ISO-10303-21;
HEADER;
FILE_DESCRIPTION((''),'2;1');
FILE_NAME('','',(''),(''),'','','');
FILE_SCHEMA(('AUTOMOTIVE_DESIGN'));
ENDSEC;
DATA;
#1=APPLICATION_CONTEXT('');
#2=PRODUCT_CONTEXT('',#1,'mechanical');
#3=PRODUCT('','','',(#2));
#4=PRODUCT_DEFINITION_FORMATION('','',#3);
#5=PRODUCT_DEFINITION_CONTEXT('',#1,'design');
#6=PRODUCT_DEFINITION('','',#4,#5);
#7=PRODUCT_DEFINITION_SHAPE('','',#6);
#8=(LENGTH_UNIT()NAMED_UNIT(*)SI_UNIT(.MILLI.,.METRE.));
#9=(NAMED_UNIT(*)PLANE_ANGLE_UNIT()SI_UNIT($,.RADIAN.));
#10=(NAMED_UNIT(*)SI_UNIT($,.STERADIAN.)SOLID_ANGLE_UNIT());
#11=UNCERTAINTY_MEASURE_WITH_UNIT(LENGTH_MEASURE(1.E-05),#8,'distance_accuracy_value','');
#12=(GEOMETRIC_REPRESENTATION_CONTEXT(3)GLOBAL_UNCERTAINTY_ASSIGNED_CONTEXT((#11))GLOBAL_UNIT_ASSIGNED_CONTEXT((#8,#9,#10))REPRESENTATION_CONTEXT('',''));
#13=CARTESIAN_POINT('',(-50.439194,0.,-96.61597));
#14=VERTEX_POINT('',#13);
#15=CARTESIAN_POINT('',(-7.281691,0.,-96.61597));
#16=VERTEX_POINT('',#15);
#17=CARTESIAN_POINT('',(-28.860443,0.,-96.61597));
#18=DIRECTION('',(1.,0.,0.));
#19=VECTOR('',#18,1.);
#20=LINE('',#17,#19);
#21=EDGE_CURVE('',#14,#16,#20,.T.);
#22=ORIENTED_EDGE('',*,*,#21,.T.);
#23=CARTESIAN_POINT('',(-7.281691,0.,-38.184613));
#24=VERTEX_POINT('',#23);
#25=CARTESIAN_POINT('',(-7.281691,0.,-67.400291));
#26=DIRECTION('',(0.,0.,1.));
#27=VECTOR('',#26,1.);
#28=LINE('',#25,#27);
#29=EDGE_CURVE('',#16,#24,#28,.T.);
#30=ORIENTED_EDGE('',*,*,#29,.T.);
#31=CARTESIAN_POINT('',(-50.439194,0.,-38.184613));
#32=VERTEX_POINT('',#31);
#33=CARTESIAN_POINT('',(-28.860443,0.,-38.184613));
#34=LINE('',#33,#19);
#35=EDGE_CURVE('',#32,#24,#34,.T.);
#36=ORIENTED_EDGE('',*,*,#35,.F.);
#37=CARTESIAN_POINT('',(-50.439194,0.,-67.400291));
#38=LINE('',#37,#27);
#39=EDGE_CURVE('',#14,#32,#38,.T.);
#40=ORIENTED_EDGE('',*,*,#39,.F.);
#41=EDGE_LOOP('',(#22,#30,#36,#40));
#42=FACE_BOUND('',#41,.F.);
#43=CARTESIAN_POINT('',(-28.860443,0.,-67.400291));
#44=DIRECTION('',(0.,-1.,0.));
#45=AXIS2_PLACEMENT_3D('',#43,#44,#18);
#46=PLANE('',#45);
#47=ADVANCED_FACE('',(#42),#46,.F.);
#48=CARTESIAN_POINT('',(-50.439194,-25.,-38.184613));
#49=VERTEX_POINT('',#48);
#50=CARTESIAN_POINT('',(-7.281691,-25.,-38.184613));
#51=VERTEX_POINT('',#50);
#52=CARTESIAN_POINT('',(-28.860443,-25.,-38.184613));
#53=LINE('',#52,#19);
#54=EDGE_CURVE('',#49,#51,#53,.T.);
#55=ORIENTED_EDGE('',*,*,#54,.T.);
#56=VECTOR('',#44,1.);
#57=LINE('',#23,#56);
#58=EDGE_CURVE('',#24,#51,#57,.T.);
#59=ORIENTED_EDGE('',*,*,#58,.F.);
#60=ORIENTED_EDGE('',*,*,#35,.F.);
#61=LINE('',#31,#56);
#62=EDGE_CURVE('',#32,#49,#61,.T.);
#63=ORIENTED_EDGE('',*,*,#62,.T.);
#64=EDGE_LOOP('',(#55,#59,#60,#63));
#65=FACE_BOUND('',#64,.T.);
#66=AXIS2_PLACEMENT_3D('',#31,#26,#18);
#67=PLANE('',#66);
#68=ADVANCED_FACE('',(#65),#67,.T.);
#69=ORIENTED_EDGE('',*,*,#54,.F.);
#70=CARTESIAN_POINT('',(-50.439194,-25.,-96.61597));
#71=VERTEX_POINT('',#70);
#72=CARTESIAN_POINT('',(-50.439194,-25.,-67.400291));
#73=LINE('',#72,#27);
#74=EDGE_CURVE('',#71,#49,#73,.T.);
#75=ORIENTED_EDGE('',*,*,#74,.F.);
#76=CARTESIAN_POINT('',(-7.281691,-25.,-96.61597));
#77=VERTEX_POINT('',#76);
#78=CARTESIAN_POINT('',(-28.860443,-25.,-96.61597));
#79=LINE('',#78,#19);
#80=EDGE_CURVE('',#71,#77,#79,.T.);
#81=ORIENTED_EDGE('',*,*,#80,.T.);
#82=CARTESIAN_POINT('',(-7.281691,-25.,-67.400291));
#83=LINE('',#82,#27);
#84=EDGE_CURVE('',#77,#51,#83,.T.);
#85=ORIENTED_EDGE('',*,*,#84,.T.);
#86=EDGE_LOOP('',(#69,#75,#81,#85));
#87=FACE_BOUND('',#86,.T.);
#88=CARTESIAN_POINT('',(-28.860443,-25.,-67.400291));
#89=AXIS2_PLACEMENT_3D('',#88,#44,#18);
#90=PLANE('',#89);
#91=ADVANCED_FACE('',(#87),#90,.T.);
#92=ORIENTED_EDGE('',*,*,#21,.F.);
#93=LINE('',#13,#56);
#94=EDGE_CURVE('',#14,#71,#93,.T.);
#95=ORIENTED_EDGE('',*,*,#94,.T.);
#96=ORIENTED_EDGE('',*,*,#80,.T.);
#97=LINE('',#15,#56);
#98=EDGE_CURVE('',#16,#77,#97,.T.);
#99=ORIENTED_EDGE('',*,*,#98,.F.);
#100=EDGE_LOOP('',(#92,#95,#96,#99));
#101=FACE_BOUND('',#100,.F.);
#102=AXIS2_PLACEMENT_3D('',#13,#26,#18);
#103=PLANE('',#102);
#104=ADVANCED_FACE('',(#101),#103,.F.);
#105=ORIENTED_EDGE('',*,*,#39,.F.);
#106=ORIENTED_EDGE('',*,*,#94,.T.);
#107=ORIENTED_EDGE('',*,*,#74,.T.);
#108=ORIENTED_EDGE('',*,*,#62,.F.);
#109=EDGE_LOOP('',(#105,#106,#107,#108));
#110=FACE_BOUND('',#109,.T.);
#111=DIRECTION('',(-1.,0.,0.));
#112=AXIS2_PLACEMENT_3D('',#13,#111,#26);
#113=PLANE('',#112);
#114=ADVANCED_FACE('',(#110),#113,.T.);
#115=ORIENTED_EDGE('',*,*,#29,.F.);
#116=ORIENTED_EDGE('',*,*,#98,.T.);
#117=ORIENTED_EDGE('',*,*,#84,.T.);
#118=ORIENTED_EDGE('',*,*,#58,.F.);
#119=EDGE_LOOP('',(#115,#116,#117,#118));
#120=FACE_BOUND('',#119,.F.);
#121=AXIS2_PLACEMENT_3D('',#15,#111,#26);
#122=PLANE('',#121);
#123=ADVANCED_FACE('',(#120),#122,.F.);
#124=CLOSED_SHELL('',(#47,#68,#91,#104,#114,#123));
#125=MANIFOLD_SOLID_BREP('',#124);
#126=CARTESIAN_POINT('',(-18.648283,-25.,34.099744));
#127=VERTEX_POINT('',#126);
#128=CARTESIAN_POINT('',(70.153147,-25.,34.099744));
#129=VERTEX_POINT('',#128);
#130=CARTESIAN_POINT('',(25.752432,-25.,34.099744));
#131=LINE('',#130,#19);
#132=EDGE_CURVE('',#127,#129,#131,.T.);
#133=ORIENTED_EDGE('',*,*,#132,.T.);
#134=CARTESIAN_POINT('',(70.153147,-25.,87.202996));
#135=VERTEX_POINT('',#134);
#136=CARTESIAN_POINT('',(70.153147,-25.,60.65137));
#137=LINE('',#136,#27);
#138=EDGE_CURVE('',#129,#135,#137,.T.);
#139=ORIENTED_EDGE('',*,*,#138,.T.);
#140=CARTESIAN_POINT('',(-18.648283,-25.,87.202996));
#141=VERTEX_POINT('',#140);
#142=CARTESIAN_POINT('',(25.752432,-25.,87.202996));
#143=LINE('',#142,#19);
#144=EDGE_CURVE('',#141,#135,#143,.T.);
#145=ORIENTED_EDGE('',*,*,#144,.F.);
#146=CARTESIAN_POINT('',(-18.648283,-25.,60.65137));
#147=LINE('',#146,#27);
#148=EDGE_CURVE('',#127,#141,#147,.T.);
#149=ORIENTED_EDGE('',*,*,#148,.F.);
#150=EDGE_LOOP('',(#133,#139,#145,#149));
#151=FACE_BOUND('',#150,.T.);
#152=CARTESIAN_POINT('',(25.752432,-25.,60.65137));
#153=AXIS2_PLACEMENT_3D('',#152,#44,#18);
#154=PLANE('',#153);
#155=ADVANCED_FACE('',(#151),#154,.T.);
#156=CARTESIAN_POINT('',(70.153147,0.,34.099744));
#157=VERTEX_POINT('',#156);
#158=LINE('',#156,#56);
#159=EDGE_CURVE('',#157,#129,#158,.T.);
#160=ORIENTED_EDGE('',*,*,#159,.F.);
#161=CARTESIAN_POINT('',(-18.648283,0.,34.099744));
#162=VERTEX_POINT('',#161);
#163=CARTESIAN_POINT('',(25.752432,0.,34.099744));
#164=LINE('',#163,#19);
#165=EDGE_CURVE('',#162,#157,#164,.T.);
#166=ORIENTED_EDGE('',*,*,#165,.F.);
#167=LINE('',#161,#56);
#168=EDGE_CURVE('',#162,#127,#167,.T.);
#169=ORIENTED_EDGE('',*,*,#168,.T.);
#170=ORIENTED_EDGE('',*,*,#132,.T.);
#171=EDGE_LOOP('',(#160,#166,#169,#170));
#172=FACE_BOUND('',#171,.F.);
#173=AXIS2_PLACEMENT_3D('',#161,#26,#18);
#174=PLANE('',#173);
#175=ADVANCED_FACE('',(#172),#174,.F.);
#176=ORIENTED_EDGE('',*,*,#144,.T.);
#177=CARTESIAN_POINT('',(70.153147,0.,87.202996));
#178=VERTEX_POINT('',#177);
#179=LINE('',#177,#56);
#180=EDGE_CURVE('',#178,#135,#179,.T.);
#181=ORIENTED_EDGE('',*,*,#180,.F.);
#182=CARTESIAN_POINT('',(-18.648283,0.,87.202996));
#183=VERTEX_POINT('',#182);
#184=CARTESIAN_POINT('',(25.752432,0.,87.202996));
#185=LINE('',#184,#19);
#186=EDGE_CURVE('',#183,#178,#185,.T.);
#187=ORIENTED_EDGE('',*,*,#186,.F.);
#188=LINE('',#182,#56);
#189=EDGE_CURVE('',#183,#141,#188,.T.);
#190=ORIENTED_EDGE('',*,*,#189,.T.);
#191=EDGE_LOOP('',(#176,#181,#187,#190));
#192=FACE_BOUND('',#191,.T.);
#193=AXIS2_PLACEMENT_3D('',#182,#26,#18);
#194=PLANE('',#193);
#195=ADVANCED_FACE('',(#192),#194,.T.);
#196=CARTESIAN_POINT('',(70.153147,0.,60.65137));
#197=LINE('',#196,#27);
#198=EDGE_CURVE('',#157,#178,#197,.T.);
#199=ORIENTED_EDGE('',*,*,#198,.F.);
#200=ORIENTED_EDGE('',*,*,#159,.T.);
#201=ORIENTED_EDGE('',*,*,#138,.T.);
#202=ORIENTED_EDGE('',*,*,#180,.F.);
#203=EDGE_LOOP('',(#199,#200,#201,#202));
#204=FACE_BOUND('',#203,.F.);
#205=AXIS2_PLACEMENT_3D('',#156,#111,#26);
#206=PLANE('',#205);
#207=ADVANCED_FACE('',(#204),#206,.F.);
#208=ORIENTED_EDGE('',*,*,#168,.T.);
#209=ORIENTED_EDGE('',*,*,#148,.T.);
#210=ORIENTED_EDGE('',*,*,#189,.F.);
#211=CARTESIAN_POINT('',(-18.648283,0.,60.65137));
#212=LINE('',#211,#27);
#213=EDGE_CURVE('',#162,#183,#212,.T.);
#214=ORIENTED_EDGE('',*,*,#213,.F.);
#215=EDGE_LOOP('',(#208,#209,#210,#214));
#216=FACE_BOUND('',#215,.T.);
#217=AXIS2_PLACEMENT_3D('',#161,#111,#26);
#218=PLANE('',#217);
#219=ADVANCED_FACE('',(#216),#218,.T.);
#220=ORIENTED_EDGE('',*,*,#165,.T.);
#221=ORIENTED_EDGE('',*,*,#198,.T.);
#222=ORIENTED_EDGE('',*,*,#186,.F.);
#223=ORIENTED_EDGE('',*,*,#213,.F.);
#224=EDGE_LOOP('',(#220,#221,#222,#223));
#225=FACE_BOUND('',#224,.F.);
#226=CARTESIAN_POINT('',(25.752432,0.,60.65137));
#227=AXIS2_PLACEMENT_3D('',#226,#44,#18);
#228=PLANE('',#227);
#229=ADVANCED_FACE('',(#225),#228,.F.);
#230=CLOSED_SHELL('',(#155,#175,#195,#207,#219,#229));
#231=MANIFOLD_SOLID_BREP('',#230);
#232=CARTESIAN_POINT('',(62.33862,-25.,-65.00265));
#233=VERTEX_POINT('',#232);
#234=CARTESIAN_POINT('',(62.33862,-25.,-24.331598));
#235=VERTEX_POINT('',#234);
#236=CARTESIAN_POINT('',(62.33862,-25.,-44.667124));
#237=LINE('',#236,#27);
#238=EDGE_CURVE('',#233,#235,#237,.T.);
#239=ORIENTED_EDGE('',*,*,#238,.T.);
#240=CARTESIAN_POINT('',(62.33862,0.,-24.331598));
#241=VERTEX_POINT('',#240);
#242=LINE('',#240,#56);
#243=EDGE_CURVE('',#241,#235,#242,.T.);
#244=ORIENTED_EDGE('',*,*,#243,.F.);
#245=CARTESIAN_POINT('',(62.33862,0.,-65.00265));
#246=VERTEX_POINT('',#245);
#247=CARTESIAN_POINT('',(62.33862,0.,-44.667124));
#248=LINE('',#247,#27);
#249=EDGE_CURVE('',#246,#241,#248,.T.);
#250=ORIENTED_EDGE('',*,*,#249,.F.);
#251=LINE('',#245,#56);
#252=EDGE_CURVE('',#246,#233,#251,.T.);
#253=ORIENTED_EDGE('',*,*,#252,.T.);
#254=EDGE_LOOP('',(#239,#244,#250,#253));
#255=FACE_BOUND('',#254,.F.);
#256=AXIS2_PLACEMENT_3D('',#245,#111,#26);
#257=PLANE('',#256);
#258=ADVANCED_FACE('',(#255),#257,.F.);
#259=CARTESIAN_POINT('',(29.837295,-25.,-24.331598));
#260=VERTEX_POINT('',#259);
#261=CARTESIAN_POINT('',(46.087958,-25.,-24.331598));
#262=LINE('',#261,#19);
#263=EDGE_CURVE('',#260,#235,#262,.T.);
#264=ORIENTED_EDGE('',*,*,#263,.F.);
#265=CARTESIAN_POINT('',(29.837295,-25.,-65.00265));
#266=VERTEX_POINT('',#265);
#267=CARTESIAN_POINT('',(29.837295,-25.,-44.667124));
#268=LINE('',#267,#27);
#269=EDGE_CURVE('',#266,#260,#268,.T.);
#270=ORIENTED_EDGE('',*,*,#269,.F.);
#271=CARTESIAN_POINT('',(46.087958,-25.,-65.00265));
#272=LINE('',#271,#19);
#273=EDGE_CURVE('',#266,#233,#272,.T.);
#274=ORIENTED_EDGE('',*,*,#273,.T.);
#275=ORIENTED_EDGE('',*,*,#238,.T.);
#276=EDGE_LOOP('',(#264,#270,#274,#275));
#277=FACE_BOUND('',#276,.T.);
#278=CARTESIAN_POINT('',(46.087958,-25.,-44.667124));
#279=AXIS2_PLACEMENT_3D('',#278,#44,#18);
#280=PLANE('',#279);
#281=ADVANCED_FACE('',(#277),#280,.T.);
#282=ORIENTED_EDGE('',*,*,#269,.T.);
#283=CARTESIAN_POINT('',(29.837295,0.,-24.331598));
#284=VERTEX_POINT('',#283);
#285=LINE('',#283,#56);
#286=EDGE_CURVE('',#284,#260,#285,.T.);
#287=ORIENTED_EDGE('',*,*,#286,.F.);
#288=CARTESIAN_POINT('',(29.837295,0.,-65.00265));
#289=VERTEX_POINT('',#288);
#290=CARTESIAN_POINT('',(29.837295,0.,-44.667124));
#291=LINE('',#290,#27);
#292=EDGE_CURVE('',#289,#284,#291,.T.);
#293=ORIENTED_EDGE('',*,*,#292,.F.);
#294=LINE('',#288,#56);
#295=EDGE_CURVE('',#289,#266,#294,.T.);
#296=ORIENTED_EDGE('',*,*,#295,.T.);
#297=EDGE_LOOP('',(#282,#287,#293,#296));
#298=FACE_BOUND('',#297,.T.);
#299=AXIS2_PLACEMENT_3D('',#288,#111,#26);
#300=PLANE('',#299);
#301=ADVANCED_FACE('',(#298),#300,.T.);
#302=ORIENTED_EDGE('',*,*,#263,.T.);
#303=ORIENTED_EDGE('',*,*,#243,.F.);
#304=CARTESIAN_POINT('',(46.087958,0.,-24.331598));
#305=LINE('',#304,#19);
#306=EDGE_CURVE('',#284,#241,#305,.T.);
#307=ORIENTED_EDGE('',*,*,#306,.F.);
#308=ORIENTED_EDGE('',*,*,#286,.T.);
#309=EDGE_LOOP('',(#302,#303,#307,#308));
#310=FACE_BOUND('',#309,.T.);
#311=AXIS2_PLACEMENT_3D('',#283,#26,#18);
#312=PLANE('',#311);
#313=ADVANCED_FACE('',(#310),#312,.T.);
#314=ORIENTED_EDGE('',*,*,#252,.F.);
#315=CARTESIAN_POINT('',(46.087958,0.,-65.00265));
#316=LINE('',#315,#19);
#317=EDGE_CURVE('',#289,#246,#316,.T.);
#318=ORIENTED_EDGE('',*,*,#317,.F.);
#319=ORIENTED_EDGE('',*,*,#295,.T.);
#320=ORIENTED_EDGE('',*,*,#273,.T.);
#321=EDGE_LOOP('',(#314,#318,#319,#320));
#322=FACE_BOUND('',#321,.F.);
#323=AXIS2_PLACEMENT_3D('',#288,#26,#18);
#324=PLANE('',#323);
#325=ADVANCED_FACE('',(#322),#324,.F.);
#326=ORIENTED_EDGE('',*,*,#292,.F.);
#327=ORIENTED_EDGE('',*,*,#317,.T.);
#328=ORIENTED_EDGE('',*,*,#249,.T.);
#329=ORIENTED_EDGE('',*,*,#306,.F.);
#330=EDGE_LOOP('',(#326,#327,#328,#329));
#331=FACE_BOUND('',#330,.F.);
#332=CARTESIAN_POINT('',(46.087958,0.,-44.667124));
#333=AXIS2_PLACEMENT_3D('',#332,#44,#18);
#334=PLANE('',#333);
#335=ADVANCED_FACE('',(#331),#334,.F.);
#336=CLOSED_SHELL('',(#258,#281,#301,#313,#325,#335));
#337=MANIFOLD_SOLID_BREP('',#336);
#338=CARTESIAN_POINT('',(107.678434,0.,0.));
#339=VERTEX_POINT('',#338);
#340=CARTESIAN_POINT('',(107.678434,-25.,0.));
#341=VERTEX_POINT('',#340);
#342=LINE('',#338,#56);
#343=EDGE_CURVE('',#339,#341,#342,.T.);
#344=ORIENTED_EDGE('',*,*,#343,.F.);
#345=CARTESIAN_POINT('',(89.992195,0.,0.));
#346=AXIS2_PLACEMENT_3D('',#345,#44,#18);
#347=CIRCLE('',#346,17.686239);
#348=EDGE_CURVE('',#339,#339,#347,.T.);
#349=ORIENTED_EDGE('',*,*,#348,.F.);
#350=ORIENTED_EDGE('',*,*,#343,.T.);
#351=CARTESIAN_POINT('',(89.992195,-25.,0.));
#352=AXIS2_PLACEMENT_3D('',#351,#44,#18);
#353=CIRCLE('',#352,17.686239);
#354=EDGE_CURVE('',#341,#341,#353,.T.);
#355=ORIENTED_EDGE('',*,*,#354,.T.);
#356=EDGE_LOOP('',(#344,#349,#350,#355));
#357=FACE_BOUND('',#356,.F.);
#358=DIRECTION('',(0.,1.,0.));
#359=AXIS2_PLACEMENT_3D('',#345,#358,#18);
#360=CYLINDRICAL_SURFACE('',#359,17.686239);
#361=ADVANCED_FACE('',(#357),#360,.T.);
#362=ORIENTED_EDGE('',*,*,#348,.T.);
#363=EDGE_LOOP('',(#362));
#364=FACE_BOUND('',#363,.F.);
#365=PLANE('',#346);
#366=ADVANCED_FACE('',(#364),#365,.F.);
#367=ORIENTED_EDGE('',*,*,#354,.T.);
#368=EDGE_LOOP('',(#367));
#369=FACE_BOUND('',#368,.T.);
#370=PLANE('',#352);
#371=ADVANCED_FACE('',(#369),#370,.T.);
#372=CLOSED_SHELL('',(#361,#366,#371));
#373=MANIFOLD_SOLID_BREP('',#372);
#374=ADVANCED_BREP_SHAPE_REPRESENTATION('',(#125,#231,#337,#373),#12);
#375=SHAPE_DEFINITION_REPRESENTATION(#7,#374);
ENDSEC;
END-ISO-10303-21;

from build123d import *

# Parameters (mm, degrees)
F0_W     = 88.801429
F0_H     = 53.103253
F0_W_2   = 32.501325
F0_H_2   = 40.671051
F0_W_3   = 43.157503
F0_H_3   = 58.431357
F1_DEPTH = 25
F2_R     = 17.686239
F3_DEPTH = 25


with BuildPart() as f1:
    # F0 (on Front) → F1 (new body)
    with BuildSketch(Plane.XZ):
        with Locations((25.752432, 60.65137)):
            Rectangle(F0_W, F0_H)
        with Locations((46.087958, -44.667124)):
            Rectangle(F0_W_2, F0_H_2)
        with Locations((-28.860443, -67.400291)):
            Rectangle(F0_W_3, F0_H_3)
    extrude(amount=F1_DEPTH)


with BuildPart() as f3:
    # F2 (on Front) → F3 (new body)
    with BuildSketch(Plane.XZ):
        with Locations((89.992195, 0)):
            Circle(F2_R)
    extrude(amount=F3_DEPTH)


solid = Compound([f1.part, f3.part])
